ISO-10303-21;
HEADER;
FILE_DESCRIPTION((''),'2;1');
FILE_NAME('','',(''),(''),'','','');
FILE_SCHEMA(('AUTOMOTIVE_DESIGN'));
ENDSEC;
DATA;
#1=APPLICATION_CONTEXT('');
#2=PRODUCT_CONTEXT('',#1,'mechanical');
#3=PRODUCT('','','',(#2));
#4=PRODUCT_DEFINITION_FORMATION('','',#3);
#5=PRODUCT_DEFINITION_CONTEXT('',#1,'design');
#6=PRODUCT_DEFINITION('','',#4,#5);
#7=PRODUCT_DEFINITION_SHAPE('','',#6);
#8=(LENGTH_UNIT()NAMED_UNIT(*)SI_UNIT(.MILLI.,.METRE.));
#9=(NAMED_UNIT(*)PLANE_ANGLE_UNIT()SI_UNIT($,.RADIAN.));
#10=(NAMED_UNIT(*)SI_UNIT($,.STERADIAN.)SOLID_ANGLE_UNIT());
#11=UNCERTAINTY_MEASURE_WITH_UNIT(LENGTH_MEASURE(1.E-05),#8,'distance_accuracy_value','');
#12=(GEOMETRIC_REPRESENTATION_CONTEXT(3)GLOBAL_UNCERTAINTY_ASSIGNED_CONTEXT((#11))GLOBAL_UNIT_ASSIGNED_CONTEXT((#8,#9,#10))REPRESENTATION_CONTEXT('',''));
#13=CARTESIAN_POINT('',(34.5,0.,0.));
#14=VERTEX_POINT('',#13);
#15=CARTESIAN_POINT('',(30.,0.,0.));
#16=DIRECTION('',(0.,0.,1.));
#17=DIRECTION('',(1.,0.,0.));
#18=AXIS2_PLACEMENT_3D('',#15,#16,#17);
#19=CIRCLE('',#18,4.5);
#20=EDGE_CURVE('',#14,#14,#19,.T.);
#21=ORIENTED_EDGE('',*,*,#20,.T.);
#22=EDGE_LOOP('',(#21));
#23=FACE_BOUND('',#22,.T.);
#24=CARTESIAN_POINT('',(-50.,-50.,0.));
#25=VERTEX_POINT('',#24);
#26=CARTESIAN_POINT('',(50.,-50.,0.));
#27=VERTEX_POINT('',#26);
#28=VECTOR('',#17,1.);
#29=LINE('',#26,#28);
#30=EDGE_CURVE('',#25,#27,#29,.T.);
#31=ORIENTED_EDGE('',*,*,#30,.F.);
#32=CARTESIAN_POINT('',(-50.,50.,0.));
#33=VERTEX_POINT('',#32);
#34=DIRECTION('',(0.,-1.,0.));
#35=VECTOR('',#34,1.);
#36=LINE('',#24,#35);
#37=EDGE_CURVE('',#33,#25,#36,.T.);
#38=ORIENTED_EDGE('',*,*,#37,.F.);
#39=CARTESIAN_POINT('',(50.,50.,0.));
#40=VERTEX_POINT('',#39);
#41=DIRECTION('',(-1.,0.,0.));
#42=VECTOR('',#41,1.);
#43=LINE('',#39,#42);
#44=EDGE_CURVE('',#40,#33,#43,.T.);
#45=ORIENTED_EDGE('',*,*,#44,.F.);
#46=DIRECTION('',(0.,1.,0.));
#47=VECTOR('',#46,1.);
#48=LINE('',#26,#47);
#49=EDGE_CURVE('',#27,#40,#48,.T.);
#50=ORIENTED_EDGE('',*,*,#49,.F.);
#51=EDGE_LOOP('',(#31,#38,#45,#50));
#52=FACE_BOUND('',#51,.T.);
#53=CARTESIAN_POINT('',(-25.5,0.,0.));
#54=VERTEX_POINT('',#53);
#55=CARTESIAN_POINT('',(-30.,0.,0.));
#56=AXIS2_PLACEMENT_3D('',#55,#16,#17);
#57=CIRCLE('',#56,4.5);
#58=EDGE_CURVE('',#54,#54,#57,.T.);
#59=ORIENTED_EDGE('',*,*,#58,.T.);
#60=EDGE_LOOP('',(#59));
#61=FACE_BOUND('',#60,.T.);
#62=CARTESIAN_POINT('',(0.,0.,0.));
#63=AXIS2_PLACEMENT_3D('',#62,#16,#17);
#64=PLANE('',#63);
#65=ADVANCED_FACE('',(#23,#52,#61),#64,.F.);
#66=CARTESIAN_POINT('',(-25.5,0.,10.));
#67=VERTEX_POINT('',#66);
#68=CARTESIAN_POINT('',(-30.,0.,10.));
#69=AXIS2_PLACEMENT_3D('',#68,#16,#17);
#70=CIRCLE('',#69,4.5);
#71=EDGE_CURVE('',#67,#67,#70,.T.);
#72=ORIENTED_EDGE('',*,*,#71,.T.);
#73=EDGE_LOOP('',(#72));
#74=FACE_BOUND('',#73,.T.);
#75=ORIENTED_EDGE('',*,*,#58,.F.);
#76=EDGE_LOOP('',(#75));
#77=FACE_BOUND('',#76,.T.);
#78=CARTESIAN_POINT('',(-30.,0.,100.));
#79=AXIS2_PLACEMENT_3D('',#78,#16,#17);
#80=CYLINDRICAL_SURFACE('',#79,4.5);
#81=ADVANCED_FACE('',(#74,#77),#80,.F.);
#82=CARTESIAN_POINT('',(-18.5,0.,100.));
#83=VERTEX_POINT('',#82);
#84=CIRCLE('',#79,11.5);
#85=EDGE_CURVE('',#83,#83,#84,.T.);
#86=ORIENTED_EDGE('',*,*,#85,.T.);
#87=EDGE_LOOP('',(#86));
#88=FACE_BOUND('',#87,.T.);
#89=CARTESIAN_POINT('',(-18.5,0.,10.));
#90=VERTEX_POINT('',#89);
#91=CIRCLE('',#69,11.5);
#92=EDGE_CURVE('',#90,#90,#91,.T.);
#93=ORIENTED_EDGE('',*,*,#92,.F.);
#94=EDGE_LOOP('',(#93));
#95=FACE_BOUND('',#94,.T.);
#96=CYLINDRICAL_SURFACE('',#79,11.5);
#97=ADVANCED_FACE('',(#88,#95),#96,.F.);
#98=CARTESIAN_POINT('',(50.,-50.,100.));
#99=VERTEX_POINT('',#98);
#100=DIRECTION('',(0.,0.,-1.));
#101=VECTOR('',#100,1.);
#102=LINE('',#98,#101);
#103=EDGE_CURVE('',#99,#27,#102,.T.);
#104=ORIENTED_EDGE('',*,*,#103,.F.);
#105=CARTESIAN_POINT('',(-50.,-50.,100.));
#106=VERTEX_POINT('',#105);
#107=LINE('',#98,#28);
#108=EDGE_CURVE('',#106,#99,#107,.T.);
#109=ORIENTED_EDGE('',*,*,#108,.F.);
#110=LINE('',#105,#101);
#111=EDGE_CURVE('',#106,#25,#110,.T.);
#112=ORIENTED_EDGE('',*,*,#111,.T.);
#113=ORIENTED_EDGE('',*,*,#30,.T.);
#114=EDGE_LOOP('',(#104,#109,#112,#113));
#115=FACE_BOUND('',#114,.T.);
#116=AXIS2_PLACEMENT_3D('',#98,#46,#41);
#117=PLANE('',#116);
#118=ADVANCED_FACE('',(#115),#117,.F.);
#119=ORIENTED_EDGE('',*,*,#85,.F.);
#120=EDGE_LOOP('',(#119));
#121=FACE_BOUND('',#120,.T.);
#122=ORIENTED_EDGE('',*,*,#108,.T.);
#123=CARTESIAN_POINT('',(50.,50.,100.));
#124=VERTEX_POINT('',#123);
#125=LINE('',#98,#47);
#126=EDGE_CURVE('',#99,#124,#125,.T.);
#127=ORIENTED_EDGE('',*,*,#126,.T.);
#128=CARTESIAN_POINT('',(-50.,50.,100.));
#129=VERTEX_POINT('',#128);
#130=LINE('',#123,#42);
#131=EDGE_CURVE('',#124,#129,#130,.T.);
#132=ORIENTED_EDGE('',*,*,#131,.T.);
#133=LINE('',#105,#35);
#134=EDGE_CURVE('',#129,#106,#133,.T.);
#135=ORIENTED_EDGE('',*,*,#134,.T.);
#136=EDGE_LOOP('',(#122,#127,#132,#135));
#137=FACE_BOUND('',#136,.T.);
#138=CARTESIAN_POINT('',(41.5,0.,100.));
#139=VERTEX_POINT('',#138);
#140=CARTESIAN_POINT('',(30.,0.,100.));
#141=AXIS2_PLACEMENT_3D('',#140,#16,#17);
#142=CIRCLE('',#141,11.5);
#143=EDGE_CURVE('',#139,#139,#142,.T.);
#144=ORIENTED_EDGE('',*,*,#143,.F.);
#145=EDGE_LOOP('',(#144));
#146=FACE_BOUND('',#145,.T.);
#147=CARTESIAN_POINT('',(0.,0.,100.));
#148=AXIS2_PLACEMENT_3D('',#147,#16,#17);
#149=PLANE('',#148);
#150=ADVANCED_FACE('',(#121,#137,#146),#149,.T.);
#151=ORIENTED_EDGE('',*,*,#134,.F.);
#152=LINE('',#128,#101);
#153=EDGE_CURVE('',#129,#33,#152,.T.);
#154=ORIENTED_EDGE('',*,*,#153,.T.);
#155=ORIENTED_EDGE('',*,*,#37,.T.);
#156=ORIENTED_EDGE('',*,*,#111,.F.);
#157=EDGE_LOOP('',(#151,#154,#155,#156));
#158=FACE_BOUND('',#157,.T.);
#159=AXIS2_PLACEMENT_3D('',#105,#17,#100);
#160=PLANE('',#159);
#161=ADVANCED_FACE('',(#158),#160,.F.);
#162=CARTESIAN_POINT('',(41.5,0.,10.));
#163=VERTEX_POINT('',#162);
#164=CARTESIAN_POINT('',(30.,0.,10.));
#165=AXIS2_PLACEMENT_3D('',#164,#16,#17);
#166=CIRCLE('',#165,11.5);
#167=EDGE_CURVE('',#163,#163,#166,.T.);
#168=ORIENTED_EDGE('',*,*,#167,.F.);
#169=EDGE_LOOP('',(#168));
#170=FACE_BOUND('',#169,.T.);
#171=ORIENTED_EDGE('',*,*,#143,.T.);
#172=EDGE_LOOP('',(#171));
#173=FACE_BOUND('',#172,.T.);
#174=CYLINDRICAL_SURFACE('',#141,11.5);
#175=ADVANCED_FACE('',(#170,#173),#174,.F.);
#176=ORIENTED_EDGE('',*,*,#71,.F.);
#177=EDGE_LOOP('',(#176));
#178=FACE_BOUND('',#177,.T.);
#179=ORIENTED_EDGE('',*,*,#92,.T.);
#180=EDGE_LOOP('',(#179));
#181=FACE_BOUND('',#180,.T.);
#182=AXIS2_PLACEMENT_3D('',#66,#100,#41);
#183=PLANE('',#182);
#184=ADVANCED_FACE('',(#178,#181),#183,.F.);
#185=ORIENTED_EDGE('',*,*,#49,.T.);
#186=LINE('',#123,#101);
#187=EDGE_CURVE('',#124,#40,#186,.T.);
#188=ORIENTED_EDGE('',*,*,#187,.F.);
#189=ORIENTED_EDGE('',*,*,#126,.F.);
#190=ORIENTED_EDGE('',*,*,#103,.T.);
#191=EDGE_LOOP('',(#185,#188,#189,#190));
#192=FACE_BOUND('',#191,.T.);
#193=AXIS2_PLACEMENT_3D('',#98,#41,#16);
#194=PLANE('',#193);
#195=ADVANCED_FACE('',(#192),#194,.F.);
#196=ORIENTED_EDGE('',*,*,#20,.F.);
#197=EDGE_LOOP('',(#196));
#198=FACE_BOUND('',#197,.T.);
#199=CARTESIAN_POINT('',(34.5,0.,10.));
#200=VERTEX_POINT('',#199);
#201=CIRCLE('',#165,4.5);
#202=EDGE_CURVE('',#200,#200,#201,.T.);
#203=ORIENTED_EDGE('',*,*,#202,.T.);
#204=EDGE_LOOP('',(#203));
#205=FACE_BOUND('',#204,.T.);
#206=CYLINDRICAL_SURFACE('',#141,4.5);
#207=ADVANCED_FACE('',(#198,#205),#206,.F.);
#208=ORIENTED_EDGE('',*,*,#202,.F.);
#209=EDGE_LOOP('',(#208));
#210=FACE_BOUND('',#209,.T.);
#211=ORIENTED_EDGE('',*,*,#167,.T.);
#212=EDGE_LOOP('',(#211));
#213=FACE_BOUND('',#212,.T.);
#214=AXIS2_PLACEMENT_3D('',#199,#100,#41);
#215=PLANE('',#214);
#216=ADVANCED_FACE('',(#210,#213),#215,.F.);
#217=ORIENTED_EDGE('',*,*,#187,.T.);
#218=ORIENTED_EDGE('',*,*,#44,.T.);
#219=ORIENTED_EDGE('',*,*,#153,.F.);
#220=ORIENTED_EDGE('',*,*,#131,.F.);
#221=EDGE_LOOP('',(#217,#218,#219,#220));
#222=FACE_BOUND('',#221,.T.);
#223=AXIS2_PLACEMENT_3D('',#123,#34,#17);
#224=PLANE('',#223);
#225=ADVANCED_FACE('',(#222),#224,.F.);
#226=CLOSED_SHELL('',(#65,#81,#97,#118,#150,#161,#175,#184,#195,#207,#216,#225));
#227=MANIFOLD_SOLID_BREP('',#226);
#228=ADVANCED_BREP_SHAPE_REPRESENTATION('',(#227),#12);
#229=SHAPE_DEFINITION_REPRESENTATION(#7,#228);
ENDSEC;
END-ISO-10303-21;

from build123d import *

# Parameters (mm, degrees)
SKIZZE1_W                                           = 100
SKIZZE1_H                                           = 100
AUFSATZ_LINEAR_AUSTRAGEN1_DEPTH                     = 100
STIRNSENKUNG_F_R_M8_SENKSCHRAUBE_KOPF_B_D           = 9
STIRNSENKUNG_F_R_M8_SENKSCHRAUBE_KOPF_B_CBORE_D     = 23
STIRNSENKUNG_F_R_M8_SENKSCHRAUBE_KOPF_B_CBORE_DEPTH = 90


with BuildPart() as part:
    # Skizze1 → Aufsatz-Linear austragen1 (new body)
    with BuildSketch(Plane.XY):
        Rectangle(SKIZZE1_W, SKIZZE1_H)
    extrude(amount=AUFSATZ_LINEAR_AUSTRAGEN1_DEPTH)

    # Stirnsenkung für M8 Senkschraube (Kopf Button)1 (through all)
    with Locations(Plane.XY.offset(100)):
        with Locations((-30, 0)):
            stirnsenkung_f_r_m8_senkschraube_kopf_b = CounterBoreHole(STIRNSENKUNG_F_R_M8_SENKSCHRAUBE_KOPF_B_D / 2, STIRNSENKUNG_F_R_M8_SENKSCHRAUBE_KOPF_B_CBORE_D / 2, STIRNSENKUNG_F_R_M8_SENKSCHRAUBE_KOPF_B_CBORE_DEPTH)

    # Spiegeln1: Stirnsenkung für M8 Senkschraube (Kopf Button)1 across plane
    add(stirnsenkung_f_r_m8_senkschraube_kopf_b.mirror(Plane(origin=(0, 0, 0), x_dir=(0, 0, 1), z_dir=(1, 0, 0))), mode=Mode.SUBTRACT)


solid = part.part
